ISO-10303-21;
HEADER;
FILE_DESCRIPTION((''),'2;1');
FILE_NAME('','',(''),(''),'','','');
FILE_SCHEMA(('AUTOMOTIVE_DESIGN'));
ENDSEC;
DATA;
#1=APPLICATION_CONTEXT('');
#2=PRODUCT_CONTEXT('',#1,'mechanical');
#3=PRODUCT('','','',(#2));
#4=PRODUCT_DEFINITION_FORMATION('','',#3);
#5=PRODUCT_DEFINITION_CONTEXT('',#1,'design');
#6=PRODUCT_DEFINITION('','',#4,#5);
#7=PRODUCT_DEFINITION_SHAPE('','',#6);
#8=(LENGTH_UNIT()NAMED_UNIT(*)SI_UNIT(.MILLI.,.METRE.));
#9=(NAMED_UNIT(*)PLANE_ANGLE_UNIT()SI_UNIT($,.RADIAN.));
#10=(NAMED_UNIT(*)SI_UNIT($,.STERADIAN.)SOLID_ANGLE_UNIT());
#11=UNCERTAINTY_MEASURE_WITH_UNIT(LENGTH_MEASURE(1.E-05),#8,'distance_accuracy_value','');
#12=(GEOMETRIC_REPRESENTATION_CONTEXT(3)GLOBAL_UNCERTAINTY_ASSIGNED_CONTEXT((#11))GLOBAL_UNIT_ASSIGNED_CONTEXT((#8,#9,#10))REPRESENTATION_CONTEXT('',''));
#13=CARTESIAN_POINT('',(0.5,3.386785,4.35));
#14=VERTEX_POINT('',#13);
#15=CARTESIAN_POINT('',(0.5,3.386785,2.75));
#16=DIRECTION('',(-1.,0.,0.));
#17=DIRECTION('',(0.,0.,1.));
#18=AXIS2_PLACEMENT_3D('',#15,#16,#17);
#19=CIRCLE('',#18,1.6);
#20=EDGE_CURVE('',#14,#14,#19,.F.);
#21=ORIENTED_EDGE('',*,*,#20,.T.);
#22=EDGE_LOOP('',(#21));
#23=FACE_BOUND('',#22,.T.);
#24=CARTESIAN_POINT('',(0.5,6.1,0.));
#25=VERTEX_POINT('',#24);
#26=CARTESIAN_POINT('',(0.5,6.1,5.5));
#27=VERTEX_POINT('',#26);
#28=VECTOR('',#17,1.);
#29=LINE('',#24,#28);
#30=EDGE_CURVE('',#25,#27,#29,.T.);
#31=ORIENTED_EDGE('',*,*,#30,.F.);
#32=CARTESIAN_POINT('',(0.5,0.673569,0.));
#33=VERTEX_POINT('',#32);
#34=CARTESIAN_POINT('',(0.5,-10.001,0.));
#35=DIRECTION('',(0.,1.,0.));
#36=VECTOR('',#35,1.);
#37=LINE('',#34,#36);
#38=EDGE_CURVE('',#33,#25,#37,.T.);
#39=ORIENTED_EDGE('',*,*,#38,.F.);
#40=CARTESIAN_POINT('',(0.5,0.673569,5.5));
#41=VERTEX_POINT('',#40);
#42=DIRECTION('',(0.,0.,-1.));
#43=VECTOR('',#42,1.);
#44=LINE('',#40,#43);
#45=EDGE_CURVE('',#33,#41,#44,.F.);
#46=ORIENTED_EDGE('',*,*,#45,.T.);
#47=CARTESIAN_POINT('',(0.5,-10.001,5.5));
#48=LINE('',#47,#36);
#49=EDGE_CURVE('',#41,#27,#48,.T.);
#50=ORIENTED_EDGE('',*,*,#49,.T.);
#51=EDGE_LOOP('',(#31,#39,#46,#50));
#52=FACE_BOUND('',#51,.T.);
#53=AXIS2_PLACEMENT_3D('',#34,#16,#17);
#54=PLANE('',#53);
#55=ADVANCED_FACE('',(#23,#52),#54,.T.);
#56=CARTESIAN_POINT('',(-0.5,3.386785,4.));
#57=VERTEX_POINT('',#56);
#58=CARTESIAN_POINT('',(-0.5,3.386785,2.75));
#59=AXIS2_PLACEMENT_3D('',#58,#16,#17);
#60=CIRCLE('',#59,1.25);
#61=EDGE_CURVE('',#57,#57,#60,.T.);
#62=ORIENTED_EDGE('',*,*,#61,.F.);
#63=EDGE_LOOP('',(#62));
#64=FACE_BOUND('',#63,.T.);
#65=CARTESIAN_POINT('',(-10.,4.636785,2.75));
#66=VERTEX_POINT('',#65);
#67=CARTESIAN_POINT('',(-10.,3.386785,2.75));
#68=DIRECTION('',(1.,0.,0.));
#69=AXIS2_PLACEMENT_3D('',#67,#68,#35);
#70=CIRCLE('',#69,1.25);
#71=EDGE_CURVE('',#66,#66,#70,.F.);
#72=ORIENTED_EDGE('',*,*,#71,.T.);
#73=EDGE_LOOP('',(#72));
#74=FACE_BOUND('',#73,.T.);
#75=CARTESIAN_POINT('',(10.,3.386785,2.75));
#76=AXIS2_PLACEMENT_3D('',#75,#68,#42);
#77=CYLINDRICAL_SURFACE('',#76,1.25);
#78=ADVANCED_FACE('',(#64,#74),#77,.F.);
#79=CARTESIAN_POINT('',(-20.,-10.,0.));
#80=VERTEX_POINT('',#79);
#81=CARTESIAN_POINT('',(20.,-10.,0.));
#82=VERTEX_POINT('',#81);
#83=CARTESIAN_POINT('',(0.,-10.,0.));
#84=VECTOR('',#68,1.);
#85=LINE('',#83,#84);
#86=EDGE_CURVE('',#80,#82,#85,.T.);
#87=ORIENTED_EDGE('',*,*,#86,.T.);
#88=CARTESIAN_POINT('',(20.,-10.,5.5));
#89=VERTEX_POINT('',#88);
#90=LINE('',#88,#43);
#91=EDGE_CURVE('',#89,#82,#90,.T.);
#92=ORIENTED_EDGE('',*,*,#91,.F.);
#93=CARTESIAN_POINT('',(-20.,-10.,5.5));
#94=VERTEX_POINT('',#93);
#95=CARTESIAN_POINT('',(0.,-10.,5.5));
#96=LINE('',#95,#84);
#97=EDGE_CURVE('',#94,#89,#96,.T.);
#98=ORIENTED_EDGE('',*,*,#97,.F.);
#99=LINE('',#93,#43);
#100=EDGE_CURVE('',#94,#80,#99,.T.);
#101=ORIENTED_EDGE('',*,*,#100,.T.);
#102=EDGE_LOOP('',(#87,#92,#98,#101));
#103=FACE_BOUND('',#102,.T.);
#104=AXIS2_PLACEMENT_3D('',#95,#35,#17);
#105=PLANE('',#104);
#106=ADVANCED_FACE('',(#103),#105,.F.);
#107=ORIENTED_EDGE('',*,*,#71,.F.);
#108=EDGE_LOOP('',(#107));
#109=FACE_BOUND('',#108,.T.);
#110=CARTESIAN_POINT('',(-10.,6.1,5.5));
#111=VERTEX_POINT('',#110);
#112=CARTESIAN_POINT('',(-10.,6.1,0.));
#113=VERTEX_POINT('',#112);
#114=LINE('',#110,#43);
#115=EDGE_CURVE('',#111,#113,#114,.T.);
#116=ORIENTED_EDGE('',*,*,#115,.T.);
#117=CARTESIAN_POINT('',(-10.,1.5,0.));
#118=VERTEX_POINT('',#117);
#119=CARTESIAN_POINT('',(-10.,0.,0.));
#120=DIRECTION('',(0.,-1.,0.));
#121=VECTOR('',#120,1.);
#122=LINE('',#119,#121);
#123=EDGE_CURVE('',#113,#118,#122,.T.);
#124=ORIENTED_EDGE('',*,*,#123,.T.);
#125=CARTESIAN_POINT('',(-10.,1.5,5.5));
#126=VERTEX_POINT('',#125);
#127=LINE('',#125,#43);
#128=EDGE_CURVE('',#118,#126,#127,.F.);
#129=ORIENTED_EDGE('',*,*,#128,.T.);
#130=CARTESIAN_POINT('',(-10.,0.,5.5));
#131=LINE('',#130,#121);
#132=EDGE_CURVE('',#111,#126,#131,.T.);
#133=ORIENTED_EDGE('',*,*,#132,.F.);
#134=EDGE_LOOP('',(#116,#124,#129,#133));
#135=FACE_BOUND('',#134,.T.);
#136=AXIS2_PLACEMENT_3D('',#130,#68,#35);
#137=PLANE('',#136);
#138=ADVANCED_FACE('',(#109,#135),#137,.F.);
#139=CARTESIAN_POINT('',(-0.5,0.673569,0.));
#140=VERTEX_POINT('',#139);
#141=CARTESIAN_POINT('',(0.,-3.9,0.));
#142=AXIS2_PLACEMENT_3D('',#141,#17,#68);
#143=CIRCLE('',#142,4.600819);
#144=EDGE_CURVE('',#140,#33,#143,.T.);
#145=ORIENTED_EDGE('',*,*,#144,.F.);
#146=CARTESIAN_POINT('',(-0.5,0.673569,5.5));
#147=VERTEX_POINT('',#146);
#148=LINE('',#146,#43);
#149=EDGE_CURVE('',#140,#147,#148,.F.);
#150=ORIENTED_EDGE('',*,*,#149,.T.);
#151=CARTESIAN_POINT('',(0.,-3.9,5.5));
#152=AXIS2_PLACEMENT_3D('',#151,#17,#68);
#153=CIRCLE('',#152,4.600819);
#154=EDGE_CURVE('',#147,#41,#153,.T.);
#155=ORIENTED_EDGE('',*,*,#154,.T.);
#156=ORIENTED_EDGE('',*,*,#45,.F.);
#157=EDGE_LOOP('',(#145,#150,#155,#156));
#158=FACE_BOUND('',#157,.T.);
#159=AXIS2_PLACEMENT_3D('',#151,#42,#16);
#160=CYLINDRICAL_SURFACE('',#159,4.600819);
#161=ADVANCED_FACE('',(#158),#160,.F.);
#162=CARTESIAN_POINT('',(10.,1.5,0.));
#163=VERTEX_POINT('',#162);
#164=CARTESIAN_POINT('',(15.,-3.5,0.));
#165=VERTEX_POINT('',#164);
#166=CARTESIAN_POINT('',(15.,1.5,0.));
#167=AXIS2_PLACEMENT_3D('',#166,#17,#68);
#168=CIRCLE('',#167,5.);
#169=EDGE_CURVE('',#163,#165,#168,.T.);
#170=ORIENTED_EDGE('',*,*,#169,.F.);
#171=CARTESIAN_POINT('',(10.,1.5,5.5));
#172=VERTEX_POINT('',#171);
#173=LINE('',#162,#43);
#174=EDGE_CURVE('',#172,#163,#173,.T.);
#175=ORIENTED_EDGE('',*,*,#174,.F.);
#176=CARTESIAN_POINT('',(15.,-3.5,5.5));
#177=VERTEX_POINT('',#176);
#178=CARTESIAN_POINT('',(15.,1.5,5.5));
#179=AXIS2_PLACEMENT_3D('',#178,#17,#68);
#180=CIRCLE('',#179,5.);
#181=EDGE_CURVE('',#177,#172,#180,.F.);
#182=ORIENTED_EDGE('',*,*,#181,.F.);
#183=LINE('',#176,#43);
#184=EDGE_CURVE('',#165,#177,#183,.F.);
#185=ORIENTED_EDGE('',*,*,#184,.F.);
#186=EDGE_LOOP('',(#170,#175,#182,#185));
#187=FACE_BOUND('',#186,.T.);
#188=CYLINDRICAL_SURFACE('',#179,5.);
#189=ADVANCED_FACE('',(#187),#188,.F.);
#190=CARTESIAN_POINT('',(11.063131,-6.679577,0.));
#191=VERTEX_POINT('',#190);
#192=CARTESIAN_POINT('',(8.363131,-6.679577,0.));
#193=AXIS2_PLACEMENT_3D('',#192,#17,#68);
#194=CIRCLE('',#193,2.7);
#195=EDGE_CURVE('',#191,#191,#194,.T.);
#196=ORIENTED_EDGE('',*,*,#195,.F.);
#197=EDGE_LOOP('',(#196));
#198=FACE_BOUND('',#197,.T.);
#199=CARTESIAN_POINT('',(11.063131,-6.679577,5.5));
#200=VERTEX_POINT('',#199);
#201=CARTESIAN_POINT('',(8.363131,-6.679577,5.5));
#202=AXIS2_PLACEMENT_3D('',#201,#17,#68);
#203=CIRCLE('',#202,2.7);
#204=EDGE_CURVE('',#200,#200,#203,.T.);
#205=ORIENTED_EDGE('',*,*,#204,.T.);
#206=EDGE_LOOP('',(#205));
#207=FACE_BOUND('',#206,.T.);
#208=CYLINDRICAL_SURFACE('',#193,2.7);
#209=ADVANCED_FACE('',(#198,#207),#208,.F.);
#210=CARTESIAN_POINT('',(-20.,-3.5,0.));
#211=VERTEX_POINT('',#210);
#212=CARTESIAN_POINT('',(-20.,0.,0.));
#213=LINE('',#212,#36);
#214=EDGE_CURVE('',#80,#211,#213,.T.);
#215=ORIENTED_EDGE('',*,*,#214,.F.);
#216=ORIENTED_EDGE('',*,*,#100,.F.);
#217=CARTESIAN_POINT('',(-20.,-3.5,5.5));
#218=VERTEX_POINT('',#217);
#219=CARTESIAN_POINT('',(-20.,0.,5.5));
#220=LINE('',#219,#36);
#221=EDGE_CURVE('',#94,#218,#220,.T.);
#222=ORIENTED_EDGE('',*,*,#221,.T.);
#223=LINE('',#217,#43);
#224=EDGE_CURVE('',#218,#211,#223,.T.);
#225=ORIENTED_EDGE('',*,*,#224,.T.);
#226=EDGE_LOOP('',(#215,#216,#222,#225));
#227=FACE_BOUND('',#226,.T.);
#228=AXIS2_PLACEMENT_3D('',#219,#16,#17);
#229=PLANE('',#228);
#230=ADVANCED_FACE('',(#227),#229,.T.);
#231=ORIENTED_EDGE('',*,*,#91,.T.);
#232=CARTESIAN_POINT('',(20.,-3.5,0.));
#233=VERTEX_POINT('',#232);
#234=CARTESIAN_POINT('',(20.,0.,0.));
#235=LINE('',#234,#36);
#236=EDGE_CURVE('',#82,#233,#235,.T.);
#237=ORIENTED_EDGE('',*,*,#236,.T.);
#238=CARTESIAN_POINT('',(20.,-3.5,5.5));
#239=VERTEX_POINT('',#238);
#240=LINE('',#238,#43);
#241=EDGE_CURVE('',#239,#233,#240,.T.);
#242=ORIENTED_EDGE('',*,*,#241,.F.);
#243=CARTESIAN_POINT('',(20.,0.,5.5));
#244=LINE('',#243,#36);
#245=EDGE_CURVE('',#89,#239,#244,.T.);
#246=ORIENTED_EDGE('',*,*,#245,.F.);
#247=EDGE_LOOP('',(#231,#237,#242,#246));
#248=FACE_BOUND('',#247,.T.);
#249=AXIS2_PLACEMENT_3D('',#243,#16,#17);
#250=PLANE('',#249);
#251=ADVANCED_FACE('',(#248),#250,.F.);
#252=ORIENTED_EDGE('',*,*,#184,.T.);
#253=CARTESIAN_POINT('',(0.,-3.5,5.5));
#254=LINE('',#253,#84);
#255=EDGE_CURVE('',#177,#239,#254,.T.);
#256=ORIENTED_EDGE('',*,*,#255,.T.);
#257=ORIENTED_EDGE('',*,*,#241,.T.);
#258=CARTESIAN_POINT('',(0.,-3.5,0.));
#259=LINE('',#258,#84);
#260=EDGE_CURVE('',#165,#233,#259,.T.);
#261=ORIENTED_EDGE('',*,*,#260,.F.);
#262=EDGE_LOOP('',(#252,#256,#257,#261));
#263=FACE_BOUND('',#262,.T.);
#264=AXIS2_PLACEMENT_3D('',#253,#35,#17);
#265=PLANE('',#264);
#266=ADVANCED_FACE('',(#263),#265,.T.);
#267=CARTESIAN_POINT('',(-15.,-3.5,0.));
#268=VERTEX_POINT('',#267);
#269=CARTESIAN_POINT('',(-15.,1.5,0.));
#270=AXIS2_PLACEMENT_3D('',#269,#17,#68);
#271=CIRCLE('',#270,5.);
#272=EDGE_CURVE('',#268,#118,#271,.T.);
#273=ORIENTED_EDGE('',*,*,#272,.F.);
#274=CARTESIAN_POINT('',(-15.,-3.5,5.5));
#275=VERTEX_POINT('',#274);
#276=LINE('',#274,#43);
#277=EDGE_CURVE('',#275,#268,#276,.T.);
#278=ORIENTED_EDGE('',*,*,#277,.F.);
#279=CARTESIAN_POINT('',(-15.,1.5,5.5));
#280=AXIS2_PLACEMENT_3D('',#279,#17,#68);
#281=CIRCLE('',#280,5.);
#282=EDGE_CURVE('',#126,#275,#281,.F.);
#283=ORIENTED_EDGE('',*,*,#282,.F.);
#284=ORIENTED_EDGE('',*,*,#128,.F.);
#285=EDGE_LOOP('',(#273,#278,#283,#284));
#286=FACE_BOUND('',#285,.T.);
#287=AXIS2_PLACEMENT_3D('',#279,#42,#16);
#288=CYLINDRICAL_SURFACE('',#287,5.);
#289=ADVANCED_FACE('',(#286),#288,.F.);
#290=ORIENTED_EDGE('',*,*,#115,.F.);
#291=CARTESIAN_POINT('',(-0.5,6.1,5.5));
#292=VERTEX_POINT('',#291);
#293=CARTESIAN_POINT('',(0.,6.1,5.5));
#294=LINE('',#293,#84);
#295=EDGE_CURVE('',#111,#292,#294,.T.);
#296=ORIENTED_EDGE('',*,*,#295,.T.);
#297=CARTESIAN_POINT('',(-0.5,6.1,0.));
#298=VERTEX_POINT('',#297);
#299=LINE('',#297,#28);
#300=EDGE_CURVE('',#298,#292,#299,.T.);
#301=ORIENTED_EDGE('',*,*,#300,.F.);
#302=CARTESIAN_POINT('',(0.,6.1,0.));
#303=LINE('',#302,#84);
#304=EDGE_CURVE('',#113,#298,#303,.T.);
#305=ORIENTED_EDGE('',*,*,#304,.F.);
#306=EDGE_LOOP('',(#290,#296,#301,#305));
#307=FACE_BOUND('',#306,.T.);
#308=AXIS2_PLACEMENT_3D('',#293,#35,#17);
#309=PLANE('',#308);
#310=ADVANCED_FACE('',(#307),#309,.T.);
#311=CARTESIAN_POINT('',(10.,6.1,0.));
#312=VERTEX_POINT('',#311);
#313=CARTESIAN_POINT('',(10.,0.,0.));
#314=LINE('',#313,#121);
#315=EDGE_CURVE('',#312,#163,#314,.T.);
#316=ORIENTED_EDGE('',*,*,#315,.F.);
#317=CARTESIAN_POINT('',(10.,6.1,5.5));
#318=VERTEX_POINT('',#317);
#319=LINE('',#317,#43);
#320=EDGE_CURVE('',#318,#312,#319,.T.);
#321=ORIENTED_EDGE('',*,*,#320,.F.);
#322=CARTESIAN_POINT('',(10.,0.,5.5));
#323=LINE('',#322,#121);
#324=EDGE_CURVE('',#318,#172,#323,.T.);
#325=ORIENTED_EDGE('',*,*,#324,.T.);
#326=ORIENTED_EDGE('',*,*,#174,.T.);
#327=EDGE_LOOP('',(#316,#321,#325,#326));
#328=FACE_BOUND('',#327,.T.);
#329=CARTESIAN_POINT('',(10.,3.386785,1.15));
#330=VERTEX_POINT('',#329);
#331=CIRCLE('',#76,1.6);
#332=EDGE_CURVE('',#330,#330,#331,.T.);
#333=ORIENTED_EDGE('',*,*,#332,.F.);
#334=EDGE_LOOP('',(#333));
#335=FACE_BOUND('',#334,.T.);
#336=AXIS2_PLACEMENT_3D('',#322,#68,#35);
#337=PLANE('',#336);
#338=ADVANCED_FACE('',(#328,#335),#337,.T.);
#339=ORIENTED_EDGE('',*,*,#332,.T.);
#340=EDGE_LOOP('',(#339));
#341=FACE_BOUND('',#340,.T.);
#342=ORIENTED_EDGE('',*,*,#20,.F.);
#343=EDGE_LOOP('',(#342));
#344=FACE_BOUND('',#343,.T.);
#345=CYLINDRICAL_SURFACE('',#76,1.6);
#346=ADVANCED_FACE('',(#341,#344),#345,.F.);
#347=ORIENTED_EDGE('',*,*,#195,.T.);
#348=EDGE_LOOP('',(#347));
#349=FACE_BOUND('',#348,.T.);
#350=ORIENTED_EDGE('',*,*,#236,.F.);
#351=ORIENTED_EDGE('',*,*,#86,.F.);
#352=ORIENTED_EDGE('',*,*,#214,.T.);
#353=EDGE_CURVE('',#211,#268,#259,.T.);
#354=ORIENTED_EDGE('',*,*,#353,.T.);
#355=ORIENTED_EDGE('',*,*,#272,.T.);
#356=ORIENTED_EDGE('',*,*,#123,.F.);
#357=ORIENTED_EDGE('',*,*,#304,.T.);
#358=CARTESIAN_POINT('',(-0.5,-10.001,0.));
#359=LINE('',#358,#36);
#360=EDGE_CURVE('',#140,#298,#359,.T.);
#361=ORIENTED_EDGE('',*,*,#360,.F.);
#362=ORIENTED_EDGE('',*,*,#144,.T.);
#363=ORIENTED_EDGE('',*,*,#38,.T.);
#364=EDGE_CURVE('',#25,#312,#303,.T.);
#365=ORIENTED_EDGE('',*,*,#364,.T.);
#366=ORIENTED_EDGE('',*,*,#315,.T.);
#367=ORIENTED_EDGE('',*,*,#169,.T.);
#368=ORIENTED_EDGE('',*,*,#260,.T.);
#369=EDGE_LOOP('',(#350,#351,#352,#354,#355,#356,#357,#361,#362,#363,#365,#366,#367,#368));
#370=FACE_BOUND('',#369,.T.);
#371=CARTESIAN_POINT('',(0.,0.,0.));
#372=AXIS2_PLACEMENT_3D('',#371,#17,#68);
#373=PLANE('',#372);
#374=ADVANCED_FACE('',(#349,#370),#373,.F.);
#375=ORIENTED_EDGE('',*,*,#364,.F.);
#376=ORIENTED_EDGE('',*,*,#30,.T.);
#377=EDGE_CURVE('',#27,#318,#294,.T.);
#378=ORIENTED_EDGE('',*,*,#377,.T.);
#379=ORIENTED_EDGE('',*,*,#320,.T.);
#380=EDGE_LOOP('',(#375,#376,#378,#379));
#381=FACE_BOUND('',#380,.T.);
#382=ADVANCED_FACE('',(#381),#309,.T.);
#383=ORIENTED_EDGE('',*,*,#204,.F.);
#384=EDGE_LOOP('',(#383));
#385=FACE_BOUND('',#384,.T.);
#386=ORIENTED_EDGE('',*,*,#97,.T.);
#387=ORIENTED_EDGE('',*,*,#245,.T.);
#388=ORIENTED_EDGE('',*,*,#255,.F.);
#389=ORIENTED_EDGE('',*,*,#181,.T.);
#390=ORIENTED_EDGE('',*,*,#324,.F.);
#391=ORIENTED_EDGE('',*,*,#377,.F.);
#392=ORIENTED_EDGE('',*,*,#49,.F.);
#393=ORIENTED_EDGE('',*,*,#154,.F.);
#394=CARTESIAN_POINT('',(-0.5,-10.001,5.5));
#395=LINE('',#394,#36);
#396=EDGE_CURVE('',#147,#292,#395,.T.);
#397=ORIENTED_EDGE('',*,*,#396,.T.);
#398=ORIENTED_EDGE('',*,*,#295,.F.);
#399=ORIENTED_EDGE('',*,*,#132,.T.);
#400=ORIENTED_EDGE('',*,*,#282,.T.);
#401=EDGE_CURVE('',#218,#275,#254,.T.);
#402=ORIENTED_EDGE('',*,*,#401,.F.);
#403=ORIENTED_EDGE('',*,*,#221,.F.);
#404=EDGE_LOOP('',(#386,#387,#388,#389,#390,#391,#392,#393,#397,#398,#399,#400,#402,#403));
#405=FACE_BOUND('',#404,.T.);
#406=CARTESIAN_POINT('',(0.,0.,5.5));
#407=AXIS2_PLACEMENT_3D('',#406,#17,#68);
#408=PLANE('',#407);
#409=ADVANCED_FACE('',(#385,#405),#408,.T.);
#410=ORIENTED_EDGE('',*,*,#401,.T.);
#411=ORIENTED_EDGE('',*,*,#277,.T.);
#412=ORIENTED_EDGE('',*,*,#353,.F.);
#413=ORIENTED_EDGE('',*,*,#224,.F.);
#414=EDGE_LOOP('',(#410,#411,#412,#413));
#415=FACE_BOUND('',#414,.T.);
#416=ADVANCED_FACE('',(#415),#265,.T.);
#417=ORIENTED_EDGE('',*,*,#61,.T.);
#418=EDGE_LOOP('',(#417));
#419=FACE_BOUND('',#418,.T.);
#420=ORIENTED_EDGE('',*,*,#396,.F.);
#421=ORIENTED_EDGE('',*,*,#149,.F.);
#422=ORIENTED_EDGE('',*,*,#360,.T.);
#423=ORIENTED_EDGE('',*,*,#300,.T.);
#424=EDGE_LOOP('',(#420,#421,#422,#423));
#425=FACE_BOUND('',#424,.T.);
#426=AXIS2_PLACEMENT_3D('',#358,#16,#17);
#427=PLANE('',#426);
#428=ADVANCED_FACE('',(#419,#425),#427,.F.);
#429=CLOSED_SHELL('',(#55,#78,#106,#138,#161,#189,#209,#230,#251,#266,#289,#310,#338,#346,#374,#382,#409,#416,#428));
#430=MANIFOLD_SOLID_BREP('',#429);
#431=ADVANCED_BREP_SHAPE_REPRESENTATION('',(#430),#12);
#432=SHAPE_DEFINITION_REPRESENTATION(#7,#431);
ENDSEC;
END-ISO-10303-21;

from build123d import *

# Parameters (mm, degrees)
SZKIC1_W                        = 10
SZKIC1_H                        = 6.5
DODANIE_WYCI_GNI_CIE1_DEPTH     = 5.5
WYTNIJ_WYCI_GNI_CIE1_REACH      = 28.258
WYTNIJ_WYCI_GNI_CIE1_END_RADIUS = 4.600818815
SZKIC2_W                        = 1
SZKIC2_H                        = 5.5
OTW_R_GWINTOWANY_M3X0_51_D      = 2.5
OTW_R_POD_RUB_M31_REACH         = 34.098
OTW_R_POD_RUB_M31_BORE_R        = 1.6
SZKIC10_R                       = 2.7
WYTNIJ_WYCI_GNI_CIE2_DEPTH      = 24.027157879
ZAOKR_GLENIE1_R                 = 5


with BuildPart() as part:
    # Szkic1 → Dodanie-wyciągnięcie1 (new body)
    with BuildSketch(Plane.XY):
        with BuildLine():
            Line((10, 6.1), (-10, 6.1))
            Line((-10, 6.1), (-10, -3.5))
            Line((-10, -3.5), (-4.583397623, -3.5))
            ThreePointArc((-4.583397623, -3.5), (0, 0.700818815), (4.583397623, -3.5))
            Line((4.583397623, -3.5), (10, -3.5))
            Line((10, -3.5), (10, 6.1))
        make_face()
        with Locations((-15, -6.75)):
            Rectangle(SZKIC1_W, SZKIC1_H)
        with BuildLine():
            Line((-4.583397623, -3.5), (-10, -3.5))
            Line((-10, -3.5), (-10, -10))
            Line((-10, -10), (10, -10))
            Line((10, -10), (10, -3.5))
            Line((10, -3.5), (4.583397623, -3.5))
            ThreePointArc((4.583397623, -3.5), (4.596461454, -3.699810404), (4.600818815, -3.9))
            ThreePointArc((4.600818815, -3.9), (-0.200189596, -8.496461454), (-4.583397623, -3.5))
        make_face()
        with Locations((15, -6.75)):
            Rectangle(SZKIC1_W, SZKIC1_H)
    extrude(amount=DODANIE_WYCI_GNI_CIE1_DEPTH)

    # Wytnij-wyciągnięcie1: up to this cylinder (the profile starts outside it)
    wytnij_wyci_gni_cie1_end = Plane(origin=(0, -3.9, 2.75), z_dir=(0, 0, -1)) * Cylinder(WYTNIJ_WYCI_GNI_CIE1_END_RADIUS, 66.717637631, mode=Mode.PRIVATE)
    # Szkic2 → Wytnij-wyciągnięcie1 (cut, up to the surface)
    with BuildSketch(Plane(origin=(0, 6.1, 0), x_dir=(1, 0, 0), z_dir=(0, 1, 0)), mode=Mode.PRIVATE) as wytnij_wyci_gni_cie1_sk1:
        with Locations((0, -2.75)):
            Rectangle(SZKIC2_W, SZKIC2_H)
    wytnij_wyci_gni_cie1_tool1 = extrude(wytnij_wyci_gni_cie1_sk1.sketch, amount=-WYTNIJ_WYCI_GNI_CIE1_REACH, mode=Mode.PRIVATE) - wytnij_wyci_gni_cie1_end
    add(wytnij_wyci_gni_cie1_tool1.solids().sort_by_distance((0, 6.1, 2.75))[0], mode=Mode.SUBTRACT)

    # Otwór gwintowany M3x0.51 (through all)
    with Locations(Plane(origin=(10, 0, 0), x_dir=(0, 0, -1), z_dir=(1, 0, 0))):
        with Locations((-2.75, 3.38678452)):
            Hole(OTW_R_GWINTOWANY_M3X0_51_D / 2)

    # Otwór pod śrubę M31 bore → Otwór pod śrubę M31 (cut, up to next)
    with BuildSketch(Plane(origin=(10, 0, 0), x_dir=(0, 0, -1), z_dir=(1, 0, 0)), mode=Mode.PRIVATE) as otw_r_pod_rub_m31_sk1:
        with Locations((-2.75, 3.38678452)):
            Circle(OTW_R_POD_RUB_M31_BORE_R)
    otw_r_pod_rub_m31_tool1 = extrude(otw_r_pod_rub_m31_sk1.sketch, amount=-OTW_R_POD_RUB_M31_REACH, mode=Mode.PRIVATE) & part.part
    add(otw_r_pod_rub_m31_tool1.solids().sort_by_distance((10, 3.386785, 2.75))[0], mode=Mode.SUBTRACT)

    # Szkic10 → Wytnij-wyciągnięcie2 (cut, through all)
    with BuildSketch(Plane.XY.offset(5.5)):
        with Locations((8.363131331, -6.679576829)):
            Circle(SZKIC10_R)
    extrude(amount=-WYTNIJ_WYCI_GNI_CIE2_DEPTH, mode=Mode.SUBTRACT)

    # Zaokrąglenie1
    zaokr_glenie1_edges = [part.edges().sort_by_distance(p)[0] for p in [
        (-10, -3.5, 2.75),
        (10, -3.5, 2.75),
    ]]
    fillet(zaokr_glenie1_edges, radius=ZAOKR_GLENIE1_R)


solid = part.part
